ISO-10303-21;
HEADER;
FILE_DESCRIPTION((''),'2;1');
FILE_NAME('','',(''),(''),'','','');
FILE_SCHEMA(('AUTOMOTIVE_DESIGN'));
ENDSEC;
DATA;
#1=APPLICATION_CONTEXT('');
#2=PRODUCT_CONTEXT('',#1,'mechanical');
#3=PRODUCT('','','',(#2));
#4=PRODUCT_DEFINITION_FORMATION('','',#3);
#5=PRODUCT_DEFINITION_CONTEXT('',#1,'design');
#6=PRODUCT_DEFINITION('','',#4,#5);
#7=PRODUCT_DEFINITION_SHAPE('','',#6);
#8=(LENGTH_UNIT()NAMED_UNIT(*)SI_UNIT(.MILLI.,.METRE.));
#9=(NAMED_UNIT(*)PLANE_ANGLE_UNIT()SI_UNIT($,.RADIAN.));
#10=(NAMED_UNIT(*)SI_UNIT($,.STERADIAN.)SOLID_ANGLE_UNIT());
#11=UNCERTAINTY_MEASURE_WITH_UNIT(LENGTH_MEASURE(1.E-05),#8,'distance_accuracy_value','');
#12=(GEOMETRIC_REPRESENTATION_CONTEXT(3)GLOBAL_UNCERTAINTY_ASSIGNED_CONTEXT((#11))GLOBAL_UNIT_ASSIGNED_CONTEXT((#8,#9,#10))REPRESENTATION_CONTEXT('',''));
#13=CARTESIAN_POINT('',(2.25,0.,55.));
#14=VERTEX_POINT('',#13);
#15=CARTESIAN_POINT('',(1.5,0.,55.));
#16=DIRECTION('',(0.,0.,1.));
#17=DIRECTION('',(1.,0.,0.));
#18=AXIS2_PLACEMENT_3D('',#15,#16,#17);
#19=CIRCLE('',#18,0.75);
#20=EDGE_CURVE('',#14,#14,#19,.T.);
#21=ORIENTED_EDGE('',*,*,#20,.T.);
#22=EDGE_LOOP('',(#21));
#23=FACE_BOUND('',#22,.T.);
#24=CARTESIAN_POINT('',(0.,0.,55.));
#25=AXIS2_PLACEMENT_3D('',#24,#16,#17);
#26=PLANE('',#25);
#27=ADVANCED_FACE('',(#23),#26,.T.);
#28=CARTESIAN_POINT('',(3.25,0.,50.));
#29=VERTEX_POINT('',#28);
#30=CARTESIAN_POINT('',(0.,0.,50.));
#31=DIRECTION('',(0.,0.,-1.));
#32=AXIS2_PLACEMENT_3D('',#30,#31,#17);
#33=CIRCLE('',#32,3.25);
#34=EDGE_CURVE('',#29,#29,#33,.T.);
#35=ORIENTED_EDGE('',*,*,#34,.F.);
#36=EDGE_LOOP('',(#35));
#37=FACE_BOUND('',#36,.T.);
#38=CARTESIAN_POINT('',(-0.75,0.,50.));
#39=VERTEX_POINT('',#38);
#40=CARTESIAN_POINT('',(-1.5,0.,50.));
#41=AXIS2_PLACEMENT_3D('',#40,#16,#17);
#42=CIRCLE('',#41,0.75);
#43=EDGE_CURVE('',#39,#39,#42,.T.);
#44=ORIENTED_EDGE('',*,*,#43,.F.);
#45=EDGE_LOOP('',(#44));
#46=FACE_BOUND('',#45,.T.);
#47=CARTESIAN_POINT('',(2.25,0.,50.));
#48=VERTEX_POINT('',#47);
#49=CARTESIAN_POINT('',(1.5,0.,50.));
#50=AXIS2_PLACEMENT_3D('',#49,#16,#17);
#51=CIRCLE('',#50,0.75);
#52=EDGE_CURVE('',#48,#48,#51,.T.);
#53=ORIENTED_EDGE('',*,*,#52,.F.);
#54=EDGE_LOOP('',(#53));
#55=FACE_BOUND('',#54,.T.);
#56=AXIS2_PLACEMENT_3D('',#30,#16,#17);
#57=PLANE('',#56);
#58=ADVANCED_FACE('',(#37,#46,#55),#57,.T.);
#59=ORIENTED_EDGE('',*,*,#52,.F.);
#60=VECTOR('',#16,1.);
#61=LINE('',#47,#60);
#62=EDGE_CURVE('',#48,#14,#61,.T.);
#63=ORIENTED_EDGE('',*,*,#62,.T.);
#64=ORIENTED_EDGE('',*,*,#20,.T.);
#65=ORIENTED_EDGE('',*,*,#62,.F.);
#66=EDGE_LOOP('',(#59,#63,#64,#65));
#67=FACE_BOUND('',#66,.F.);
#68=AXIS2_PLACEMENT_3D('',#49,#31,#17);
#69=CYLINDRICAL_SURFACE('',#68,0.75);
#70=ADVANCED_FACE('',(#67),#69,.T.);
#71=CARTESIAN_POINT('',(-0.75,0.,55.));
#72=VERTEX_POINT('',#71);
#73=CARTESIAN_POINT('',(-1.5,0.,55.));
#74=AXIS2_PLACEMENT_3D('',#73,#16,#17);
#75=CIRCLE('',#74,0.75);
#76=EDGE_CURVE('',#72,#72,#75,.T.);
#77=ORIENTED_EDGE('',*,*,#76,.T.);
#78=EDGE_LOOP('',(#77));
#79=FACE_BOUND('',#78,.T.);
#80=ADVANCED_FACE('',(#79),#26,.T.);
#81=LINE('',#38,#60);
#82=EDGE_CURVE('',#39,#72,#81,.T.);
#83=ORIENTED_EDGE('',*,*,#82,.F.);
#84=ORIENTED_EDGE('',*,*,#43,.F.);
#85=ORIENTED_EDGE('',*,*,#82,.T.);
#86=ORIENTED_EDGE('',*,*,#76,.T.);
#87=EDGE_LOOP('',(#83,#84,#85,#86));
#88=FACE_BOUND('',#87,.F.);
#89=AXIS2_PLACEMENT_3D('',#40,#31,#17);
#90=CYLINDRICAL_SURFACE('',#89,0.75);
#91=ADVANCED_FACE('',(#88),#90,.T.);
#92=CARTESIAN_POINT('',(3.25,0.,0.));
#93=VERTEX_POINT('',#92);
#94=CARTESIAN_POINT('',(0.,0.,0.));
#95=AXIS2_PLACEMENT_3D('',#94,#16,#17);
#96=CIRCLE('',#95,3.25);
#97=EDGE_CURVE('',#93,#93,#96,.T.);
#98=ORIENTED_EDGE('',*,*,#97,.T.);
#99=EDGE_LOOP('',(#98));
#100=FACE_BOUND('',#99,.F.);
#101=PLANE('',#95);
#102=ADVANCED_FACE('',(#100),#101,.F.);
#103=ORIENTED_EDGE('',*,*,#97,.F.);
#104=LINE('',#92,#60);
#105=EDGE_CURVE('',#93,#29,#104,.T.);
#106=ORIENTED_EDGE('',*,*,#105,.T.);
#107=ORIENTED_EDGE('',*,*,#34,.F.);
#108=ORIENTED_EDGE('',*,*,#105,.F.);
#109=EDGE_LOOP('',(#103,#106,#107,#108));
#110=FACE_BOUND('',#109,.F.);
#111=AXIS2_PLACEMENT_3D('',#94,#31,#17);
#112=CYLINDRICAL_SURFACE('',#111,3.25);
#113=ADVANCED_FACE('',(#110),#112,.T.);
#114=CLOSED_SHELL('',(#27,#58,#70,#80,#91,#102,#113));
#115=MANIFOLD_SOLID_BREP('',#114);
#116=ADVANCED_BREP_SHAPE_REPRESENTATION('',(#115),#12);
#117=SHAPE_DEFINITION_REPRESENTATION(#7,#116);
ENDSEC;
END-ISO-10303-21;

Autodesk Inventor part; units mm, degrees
ref_plane "YZ Plane" through (0, 0, 0) normal (1, 0, 0) x (0, 1, 0)
ref_plane "XZ Plane" through (0, 0, 0) normal (0, 1, 0) x (-1, 0, 0)
ref_plane "XY Plane" through (0, 0, 0) normal (0, 0, 1) x (1, 0, 0)
sketch "Skizze1" plane through (0, 0, 0) normal (0, 0, 1) x (1, 0, 0)
  line L0 (-4.55, 0) -> (4.55, 0) projected
  line L1 (0, -4.55) -> (0, 4.55) projected
  circle A0 centre (0, 0) radius 3.25
  dimension "d0" = 6.5
extrude "Extrusion1" add sketch "Skizze1" along normal blind 50
sketch "Skizze2" plane through (0, 0, 50) normal (0, 0, 1) x (1, 0, 0)
  circle A0 centre (-1.5, 0) radius 0.75
  circle A1 centre (1.5, 0) radius 0.75
  point P0 (0, 0)
  dimension "d3" = 1.5
  dimension "d4" = 1.5
  dimension "d5" = 1.5
  dimension "d6" = 1.5
extrude "Extrusion2" add sketch "Skizze2" along normal blind 5
properties part number "Heiz_Dummy"
